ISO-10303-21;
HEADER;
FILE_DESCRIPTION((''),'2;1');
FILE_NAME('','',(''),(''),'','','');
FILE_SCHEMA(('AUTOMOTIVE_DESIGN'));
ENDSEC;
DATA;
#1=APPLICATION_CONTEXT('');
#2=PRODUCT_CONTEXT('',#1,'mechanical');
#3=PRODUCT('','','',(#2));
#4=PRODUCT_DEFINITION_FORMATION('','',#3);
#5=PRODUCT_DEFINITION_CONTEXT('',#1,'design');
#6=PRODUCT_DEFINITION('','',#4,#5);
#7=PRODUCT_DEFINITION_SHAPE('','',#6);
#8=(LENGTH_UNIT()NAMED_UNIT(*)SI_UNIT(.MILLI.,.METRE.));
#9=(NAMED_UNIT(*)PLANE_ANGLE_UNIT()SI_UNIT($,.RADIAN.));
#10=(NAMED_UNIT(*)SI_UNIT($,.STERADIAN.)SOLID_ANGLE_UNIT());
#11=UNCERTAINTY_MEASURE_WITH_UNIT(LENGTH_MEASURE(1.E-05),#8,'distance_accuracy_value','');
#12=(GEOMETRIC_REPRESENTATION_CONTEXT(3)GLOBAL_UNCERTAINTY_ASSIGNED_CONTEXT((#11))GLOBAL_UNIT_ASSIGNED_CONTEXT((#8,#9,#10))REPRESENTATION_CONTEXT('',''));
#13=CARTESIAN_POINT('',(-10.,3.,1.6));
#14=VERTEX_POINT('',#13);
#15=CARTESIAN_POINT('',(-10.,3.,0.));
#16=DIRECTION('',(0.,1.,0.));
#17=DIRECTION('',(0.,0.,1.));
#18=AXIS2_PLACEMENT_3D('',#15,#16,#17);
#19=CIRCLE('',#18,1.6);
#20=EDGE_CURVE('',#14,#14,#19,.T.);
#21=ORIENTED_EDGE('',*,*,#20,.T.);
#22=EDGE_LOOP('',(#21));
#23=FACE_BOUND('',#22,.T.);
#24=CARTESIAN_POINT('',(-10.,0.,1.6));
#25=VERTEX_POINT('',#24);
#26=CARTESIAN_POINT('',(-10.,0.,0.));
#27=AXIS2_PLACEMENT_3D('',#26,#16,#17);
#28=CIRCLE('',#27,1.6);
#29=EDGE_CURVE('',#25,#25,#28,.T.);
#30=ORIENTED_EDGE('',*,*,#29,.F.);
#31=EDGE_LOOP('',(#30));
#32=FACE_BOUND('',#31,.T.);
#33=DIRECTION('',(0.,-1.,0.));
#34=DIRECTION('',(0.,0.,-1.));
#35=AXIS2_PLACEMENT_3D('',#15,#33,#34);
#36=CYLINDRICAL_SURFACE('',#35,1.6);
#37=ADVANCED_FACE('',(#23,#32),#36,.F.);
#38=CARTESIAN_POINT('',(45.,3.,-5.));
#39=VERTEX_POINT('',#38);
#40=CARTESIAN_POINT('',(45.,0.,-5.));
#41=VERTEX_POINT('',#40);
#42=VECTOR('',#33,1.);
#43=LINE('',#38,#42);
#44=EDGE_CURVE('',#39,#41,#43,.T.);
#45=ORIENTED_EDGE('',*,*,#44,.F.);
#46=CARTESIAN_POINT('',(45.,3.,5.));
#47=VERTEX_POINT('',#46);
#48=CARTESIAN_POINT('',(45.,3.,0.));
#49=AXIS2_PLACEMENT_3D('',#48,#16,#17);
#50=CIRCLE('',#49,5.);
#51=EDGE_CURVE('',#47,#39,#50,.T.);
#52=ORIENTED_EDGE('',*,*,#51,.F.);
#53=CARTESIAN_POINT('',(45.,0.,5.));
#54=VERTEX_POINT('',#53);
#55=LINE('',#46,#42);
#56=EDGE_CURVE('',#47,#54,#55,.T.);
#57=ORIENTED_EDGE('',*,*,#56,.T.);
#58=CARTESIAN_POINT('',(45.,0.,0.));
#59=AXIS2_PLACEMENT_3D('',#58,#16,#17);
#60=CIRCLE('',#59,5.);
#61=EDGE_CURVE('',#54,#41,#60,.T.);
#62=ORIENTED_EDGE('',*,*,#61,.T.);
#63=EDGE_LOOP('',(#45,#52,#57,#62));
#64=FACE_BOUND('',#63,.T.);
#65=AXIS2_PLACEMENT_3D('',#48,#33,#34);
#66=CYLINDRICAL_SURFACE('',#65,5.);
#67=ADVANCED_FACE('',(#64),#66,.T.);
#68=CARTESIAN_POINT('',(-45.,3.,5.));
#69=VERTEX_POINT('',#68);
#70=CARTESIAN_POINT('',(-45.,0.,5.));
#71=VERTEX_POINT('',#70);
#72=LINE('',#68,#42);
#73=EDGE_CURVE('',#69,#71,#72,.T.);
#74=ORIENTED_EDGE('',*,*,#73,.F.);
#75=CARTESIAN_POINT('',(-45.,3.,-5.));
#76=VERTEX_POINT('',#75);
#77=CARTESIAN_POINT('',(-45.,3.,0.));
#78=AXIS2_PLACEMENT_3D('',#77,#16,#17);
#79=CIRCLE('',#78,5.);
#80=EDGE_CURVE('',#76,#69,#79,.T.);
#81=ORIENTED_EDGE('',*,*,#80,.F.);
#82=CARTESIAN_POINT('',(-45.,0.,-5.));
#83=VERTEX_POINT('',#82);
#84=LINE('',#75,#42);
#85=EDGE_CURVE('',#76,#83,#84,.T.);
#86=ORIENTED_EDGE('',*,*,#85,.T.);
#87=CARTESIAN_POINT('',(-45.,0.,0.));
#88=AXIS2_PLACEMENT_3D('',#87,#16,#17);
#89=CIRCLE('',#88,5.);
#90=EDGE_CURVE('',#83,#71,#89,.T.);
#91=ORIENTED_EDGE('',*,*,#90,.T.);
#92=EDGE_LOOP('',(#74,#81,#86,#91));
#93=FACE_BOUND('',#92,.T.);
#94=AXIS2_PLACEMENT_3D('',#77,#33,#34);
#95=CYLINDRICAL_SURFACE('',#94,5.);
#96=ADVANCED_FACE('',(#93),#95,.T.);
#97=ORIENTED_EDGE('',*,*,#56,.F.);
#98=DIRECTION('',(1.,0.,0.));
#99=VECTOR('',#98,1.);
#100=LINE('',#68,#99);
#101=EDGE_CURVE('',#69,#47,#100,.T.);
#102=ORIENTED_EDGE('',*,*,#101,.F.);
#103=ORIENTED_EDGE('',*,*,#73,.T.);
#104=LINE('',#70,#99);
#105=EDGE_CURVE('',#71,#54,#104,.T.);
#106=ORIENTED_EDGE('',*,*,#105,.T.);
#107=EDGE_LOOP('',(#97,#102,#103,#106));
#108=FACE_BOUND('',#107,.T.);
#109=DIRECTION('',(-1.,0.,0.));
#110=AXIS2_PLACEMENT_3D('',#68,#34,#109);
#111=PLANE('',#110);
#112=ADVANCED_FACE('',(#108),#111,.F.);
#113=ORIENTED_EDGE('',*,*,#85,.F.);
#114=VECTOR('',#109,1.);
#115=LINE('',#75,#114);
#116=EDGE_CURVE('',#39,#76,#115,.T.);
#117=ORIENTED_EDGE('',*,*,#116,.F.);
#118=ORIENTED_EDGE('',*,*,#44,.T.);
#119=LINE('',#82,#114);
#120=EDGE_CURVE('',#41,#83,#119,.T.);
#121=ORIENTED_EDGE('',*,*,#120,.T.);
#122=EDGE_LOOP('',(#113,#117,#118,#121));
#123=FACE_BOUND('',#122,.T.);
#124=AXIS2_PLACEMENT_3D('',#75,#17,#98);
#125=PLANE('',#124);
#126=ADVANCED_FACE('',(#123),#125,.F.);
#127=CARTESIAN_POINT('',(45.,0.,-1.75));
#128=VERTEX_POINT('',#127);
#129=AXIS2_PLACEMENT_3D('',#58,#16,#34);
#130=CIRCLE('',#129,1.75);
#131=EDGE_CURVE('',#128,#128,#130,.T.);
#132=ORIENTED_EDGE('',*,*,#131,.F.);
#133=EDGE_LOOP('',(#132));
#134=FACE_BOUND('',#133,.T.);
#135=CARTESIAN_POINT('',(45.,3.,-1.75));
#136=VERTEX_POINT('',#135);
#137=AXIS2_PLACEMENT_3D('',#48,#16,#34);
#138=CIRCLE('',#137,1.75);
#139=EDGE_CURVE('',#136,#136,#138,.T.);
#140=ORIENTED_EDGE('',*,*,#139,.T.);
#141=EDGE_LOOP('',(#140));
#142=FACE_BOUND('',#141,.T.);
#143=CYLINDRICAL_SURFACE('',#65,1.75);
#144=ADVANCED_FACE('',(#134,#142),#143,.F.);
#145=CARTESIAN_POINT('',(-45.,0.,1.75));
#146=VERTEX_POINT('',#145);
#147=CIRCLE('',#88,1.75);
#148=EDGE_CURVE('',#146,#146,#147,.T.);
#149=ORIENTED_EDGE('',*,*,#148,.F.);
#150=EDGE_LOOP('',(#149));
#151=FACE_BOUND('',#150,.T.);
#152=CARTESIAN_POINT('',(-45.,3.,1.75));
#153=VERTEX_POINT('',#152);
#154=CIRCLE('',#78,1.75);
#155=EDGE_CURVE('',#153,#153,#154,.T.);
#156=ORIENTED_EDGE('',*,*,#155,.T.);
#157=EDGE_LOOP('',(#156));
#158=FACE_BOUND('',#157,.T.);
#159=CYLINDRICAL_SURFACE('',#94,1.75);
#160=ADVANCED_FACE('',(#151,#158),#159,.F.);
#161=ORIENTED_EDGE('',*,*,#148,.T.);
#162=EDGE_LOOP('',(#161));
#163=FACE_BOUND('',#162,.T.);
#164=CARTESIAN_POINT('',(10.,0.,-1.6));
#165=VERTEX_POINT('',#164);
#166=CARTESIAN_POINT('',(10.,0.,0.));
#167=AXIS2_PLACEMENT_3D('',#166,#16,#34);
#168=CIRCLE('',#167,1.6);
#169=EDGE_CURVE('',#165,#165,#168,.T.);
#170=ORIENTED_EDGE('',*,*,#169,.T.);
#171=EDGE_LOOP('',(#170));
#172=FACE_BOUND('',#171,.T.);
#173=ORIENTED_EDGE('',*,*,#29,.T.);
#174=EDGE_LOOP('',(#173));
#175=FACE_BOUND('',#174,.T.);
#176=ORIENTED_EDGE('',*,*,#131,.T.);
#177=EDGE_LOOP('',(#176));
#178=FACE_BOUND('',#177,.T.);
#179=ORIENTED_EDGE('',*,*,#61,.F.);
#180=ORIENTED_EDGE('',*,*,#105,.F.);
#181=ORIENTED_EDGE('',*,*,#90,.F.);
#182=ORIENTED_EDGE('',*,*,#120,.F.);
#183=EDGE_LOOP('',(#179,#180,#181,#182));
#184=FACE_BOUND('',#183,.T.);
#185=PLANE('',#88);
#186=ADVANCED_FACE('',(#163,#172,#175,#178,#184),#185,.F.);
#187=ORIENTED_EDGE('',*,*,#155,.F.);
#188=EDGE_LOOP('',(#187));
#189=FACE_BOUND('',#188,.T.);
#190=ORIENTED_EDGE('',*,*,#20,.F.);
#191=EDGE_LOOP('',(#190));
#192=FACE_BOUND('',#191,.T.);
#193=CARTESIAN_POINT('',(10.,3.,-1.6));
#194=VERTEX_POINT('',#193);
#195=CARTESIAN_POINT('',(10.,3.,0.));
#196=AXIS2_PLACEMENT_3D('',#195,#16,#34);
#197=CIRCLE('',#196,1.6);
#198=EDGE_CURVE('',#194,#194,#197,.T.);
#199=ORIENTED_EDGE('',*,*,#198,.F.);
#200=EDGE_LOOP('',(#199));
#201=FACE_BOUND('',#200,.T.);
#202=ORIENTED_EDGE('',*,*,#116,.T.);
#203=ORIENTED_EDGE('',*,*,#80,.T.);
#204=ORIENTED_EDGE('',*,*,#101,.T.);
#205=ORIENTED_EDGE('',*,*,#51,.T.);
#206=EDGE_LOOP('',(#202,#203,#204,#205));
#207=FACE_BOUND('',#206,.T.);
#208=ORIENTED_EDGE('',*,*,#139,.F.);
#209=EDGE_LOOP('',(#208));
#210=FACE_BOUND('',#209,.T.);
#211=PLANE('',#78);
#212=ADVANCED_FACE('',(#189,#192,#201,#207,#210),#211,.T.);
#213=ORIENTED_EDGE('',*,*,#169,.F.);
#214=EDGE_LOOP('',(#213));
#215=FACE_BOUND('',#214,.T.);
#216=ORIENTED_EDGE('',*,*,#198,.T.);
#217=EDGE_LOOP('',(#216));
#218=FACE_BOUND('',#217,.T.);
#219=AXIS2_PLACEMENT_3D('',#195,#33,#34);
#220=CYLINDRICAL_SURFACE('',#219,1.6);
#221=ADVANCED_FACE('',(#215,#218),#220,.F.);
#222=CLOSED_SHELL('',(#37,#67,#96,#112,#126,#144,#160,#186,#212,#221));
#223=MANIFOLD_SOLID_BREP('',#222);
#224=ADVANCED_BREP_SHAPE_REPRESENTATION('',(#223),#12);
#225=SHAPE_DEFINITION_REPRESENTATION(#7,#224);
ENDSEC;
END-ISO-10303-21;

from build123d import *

# Parameters (mm, degrees)
SKETCH1_R           = 1.75
SKETCH1_R_2         = 1.6
BOSS_EXTRUDE1_DEPTH = 3


with BuildPart() as part:
    # Sketch1 → Boss-Extrude1 (new body)
    with BuildSketch(Plane(origin=(0, 0, 0), x_dir=(1, 0, 0), z_dir=(0, 1, 0))):
        with BuildLine():
            Line((-45, 5), (45, 5))
            ThreePointArc((45, 5), (50, 0), (45, -5))
            Line((45, -5), (-45, -5))
            ThreePointArc((-45, -5), (-50, 0), (-45, 5))
        make_face()
        with Locations(Location((-45, 0, 0), (0, 0, 270))):
            Circle(SKETCH1_R, mode=Mode.SUBTRACT)
        with Locations(Location((45, 0, 0), (0, 0, 90))):
            Circle(SKETCH1_R, mode=Mode.SUBTRACT)
        with Locations(Location((-10, 0, 0), (0, 0, 270))):
            Circle(SKETCH1_R_2, mode=Mode.SUBTRACT)
        with Locations(Location((10, 0, 0), (0, 0, 90))):
            Circle(SKETCH1_R_2, mode=Mode.SUBTRACT)
    extrude(amount=BOSS_EXTRUDE1_DEPTH)


solid = part.part
